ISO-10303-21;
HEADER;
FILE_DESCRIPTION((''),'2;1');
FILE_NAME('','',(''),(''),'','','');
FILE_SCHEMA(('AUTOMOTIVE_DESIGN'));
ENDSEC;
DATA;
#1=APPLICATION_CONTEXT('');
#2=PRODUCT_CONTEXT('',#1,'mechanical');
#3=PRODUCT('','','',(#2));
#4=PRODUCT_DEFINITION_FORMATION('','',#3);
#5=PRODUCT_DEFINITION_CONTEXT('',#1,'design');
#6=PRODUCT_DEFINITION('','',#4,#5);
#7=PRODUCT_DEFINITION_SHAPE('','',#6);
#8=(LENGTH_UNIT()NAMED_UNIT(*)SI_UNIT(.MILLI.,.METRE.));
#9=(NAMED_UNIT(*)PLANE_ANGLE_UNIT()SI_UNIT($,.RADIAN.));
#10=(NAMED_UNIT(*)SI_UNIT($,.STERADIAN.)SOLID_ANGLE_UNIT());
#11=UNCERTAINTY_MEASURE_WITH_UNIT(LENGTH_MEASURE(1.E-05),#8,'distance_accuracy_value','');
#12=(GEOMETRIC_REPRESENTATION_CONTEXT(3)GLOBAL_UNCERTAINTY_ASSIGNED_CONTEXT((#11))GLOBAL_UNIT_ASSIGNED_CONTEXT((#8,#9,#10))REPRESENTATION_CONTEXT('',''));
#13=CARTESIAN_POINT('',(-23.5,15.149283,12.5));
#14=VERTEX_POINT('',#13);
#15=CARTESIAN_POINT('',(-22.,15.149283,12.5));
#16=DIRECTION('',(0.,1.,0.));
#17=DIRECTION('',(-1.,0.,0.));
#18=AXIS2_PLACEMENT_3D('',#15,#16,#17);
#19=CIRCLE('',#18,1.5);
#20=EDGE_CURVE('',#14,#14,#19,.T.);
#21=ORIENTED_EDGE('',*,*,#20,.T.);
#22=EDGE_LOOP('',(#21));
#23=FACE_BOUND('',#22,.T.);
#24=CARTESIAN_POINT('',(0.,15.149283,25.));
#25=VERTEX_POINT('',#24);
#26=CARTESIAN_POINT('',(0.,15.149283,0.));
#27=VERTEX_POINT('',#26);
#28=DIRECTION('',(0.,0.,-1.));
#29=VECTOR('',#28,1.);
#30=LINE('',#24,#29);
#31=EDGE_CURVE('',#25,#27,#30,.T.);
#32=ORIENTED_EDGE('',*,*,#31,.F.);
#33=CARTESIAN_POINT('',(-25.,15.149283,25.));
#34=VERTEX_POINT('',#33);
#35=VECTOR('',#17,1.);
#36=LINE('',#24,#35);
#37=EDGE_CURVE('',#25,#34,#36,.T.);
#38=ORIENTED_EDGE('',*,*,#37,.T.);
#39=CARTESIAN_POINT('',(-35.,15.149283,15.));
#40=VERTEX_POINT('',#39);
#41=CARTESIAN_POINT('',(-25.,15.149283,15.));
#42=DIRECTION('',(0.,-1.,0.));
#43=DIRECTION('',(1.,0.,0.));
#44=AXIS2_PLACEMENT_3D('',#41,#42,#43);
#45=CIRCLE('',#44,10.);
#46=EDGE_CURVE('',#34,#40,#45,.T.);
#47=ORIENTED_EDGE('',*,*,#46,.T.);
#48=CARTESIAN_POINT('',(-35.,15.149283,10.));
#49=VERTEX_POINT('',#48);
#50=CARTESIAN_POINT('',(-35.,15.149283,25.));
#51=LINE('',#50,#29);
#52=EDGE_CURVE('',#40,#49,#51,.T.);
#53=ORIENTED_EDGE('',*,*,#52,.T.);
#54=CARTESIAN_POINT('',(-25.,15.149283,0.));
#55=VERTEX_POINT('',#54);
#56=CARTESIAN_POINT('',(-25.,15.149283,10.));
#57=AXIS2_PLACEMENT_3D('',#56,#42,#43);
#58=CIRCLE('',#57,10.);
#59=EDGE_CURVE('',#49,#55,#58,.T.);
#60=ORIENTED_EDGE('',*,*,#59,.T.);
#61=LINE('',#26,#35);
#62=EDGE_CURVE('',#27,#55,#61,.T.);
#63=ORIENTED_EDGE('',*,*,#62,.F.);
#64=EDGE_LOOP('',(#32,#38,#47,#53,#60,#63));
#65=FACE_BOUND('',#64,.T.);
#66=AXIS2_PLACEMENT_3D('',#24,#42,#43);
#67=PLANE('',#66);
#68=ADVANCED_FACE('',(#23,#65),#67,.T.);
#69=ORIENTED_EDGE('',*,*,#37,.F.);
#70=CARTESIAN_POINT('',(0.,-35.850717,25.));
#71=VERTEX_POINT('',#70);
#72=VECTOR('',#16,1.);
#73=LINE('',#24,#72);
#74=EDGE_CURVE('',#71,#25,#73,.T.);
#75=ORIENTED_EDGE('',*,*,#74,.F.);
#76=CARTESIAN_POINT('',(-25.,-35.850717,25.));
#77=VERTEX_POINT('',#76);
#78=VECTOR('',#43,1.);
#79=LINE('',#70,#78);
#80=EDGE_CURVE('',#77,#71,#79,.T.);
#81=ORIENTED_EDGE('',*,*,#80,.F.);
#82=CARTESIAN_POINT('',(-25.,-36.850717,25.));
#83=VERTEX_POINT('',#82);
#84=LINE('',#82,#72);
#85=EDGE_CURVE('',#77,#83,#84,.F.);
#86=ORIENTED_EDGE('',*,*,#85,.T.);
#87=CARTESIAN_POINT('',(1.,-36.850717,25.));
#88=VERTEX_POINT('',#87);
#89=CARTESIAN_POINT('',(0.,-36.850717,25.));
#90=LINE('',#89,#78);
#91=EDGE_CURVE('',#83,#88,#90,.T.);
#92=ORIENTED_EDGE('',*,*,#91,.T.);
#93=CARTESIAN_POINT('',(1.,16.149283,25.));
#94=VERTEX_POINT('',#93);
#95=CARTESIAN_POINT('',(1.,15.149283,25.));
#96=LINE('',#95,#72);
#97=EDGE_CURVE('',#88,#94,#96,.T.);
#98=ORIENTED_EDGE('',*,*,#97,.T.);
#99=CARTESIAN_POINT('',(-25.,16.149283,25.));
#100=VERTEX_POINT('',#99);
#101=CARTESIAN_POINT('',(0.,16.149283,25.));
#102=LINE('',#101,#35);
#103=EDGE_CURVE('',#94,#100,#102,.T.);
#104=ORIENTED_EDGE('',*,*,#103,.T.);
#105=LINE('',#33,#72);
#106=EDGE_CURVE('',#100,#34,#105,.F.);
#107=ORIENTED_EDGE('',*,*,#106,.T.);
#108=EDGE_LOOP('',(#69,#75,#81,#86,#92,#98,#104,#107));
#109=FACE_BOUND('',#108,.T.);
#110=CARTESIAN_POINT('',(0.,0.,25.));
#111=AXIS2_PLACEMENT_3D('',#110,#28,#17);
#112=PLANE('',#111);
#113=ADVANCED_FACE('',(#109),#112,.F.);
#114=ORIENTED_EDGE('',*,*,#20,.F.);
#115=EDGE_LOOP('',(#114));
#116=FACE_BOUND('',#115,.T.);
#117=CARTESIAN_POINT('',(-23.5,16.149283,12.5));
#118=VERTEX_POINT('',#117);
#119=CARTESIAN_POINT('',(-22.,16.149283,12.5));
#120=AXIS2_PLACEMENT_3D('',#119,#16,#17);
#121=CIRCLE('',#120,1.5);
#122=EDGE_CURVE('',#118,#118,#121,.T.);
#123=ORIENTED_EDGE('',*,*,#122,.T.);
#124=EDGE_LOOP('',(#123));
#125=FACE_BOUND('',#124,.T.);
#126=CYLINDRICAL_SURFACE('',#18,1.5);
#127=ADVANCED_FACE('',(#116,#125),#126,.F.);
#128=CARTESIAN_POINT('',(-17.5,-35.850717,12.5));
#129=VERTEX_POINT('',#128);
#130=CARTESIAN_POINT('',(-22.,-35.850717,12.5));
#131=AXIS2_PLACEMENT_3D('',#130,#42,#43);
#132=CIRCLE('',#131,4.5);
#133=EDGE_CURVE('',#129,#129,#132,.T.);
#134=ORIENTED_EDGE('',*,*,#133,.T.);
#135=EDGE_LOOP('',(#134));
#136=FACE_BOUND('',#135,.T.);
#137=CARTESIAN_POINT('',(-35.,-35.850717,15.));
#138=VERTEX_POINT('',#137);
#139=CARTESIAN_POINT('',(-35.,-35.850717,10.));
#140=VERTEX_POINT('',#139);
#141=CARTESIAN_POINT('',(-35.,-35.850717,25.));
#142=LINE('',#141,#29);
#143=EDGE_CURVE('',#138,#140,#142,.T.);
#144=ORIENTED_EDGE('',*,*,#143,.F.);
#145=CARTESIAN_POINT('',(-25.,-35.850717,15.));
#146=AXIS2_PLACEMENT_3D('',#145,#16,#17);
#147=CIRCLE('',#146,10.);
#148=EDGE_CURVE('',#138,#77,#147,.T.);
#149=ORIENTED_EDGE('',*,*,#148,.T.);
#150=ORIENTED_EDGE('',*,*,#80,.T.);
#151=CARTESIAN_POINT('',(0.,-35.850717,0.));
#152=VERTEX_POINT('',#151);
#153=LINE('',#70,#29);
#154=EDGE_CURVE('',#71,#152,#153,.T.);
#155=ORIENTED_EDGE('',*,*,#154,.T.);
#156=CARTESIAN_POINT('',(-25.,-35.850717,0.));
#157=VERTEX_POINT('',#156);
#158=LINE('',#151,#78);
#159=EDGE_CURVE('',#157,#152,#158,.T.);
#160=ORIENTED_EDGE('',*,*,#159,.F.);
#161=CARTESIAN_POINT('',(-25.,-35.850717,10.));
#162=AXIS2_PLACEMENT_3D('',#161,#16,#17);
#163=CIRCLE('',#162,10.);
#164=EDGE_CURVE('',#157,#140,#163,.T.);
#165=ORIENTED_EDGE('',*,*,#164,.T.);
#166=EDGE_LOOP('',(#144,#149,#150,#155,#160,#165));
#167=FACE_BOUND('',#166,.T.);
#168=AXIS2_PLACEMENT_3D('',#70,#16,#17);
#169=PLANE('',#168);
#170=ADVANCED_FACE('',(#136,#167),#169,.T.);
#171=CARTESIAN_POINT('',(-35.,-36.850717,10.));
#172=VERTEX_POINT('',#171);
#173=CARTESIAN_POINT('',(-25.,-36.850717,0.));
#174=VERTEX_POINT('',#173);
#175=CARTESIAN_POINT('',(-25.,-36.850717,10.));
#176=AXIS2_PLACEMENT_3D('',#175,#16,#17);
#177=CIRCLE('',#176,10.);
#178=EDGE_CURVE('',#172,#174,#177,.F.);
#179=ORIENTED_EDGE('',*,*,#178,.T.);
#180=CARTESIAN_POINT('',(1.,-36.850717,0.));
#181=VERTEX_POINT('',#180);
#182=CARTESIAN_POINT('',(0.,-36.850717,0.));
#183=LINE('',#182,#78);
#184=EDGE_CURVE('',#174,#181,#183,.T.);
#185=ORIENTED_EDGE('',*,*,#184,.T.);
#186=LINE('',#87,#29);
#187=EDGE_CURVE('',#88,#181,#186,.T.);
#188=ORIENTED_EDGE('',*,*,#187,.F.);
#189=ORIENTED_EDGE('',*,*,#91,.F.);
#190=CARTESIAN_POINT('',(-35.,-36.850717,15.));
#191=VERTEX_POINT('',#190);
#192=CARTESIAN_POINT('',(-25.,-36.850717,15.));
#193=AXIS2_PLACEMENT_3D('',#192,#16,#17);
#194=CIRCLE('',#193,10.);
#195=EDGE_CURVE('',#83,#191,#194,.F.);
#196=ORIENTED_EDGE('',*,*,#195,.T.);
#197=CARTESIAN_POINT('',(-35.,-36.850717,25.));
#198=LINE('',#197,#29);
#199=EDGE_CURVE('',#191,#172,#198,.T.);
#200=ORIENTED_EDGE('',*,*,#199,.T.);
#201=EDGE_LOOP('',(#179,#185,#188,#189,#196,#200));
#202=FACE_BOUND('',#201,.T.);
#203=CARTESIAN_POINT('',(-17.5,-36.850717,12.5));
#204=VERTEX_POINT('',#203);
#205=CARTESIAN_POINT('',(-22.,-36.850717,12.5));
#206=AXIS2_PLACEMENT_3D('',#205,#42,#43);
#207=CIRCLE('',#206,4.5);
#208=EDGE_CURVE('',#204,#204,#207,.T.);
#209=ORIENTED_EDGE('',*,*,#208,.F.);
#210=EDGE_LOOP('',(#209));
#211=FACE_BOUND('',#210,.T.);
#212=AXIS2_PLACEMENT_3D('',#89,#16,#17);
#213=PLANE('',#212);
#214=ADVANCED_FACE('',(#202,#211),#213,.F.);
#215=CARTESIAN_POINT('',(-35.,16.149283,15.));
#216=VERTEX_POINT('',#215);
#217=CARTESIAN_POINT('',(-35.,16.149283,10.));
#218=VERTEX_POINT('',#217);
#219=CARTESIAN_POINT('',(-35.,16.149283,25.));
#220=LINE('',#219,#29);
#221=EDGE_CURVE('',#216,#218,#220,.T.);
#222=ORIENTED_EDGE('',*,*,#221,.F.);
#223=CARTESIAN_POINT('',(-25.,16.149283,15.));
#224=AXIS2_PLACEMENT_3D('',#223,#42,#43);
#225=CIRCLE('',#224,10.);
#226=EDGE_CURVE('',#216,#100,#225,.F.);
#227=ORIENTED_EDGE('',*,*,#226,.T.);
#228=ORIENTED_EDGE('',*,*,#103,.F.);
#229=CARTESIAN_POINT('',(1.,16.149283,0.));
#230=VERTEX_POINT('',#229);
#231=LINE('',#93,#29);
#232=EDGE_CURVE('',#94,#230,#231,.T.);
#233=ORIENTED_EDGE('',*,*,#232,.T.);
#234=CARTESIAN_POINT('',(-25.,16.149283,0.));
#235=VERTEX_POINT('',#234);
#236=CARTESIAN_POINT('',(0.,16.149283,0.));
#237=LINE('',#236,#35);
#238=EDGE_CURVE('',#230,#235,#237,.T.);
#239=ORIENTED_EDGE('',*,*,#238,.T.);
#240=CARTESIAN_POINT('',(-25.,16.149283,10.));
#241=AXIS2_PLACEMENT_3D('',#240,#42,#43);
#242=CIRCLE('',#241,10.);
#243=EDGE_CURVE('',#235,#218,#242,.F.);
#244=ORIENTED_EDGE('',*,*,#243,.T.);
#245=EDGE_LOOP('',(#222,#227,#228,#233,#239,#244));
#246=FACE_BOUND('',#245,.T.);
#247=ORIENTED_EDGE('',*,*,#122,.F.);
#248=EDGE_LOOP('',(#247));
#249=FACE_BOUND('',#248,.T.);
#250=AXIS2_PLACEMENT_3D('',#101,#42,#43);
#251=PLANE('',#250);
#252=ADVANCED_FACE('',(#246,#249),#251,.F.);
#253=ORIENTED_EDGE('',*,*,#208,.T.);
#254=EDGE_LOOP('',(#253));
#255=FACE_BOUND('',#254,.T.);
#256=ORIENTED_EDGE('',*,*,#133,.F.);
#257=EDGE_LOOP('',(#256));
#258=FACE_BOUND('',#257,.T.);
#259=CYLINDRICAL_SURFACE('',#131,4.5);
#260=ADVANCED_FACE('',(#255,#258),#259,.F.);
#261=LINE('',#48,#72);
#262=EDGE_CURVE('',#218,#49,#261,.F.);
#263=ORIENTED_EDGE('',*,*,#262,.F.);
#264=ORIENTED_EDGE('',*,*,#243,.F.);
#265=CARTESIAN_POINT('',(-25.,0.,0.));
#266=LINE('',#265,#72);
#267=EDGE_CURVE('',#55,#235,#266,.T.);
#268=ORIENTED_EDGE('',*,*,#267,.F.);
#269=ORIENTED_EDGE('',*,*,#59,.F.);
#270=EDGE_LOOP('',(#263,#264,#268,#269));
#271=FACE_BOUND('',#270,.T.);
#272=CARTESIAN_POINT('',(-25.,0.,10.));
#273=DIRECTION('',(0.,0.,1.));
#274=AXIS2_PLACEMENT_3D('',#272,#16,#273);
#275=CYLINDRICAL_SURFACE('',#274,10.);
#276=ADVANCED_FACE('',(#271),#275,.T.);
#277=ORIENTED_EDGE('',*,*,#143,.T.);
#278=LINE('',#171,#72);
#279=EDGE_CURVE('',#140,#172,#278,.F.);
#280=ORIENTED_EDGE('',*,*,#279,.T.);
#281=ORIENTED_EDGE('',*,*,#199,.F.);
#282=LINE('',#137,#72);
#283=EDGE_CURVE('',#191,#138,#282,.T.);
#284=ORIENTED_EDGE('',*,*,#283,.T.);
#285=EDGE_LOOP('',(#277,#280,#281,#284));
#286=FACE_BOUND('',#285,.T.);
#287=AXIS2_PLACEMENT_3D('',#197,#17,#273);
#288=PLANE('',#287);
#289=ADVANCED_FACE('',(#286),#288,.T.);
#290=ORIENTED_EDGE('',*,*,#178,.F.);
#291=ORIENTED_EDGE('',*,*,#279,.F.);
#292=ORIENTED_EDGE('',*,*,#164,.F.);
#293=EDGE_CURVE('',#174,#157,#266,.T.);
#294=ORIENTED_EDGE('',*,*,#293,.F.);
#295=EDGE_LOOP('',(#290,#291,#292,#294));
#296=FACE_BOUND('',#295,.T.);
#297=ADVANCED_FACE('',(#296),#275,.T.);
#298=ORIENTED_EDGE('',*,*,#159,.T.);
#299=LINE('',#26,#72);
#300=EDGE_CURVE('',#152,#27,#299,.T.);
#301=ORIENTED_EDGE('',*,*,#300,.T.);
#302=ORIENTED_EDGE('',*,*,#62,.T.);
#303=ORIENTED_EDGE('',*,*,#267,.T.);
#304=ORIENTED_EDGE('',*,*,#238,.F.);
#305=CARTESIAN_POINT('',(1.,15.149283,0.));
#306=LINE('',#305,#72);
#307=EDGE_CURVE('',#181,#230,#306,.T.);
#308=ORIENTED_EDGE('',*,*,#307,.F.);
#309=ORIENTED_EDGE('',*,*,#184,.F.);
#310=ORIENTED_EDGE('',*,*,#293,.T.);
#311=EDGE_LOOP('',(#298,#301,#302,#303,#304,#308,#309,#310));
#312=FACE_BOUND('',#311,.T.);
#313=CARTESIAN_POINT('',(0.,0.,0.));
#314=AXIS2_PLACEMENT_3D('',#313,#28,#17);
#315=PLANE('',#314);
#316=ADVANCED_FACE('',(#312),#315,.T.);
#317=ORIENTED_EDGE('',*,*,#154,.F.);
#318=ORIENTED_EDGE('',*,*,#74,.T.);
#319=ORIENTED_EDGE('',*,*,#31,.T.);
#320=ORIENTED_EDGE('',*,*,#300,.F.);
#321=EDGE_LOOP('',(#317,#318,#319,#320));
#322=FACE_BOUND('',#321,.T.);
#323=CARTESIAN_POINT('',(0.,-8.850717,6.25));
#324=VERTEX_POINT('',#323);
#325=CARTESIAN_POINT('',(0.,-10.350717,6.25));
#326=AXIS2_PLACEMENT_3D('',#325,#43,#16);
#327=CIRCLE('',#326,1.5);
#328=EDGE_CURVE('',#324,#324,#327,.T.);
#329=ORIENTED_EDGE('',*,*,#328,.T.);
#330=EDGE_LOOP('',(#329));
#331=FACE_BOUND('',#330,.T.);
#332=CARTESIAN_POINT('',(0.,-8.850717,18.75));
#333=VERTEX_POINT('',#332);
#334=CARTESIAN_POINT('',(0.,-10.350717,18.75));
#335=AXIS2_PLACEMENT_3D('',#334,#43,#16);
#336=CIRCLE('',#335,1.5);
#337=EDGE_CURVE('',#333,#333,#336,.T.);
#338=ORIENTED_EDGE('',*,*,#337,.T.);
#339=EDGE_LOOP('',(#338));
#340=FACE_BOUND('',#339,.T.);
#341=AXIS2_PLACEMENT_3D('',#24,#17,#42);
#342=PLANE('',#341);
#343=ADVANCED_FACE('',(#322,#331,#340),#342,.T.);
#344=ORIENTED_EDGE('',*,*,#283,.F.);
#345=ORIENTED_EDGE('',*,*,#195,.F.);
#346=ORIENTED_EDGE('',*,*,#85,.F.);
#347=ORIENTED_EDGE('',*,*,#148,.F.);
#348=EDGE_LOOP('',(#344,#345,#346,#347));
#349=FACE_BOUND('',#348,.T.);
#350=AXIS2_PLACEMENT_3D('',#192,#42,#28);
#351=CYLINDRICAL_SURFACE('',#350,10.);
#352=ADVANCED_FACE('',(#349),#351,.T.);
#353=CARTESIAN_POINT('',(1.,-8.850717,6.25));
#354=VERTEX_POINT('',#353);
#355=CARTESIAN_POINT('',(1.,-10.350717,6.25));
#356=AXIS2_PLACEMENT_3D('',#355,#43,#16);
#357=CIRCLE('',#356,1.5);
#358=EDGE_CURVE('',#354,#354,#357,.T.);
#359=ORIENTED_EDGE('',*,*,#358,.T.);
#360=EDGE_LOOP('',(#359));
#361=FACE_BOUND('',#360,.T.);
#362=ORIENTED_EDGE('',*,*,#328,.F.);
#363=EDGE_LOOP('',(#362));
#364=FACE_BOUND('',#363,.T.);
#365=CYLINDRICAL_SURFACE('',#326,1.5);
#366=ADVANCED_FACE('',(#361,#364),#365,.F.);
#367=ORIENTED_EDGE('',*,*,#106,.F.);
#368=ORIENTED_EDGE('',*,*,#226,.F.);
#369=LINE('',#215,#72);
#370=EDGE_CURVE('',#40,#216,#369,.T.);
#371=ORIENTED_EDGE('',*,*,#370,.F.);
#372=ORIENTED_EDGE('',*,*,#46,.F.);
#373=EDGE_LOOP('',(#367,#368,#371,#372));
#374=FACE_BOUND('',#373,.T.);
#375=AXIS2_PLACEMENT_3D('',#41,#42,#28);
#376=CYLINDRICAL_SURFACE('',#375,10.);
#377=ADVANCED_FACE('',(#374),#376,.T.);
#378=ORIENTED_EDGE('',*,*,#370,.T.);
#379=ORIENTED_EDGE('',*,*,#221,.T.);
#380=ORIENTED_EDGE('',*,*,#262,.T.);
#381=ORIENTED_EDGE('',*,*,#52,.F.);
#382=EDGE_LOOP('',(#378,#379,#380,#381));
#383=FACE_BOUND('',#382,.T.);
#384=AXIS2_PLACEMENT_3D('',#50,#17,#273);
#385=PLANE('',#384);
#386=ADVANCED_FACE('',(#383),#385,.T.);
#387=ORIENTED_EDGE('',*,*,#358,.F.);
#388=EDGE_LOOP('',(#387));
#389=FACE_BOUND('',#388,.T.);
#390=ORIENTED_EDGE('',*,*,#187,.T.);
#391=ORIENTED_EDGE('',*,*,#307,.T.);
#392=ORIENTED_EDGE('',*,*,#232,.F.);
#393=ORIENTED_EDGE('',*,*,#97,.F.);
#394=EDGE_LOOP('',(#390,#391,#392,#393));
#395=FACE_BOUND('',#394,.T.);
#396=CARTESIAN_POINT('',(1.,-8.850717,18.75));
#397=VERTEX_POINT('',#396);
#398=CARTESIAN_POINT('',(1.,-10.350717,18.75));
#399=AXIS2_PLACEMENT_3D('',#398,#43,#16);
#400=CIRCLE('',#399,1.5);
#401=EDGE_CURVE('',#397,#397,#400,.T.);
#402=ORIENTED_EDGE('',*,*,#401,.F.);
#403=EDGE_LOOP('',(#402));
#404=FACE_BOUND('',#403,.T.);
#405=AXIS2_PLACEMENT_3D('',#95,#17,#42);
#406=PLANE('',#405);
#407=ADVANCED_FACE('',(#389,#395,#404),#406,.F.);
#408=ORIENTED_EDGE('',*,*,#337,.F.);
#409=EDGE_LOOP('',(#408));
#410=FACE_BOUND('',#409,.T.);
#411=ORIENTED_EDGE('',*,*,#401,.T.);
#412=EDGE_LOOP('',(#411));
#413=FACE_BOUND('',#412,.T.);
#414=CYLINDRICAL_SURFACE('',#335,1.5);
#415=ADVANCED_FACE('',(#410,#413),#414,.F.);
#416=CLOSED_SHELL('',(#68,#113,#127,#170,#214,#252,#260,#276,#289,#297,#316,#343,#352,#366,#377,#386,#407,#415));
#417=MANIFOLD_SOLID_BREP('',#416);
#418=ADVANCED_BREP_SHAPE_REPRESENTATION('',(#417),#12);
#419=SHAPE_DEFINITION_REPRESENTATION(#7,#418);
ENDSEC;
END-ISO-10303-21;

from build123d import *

# Parameters (mm, degrees)
EXTRUIR_L_MINA1_DEPTH = 25
CROQUIS2_R            = 1.5
CORTAR_EXTRUIR1_DEPTH = 1
CROQUIS5_R            = 4.5
CORTAR_EXTRUIR2_DEPTH = 1
CROQUIS6_R            = 1.5
CORTAR_EXTRUIR3_DEPTH = 1
REDONDEO1_R           = 10


with BuildPart() as part:
    # Croquis1 → Extruir-Lámina1 (new body)
    with BuildSketch(Plane.XY):
        Polygon((-35, 15.149283258), (0, 15.149283258), (0, -35.850716742), (-35, -35.850716742), (-35, -36.850716742), (1, -36.850716742), (1, 16.149283258), (-35, 16.149283258), align=None)
    extrude(amount=EXTRUIR_L_MINA1_DEPTH)

    # Croquis2 → Cortar-Extruir1 (cut)
    with BuildSketch(Plane(origin=(0, 16.149283258, 0), x_dir=(1, 0, 0), z_dir=(0, 1, 0))):
        with Locations(Location((-22, -12.5, 0), (0, 0, 180))):
            Circle(CROQUIS2_R)
    extrude(amount=-CORTAR_EXTRUIR1_DEPTH, mode=Mode.SUBTRACT)

    # Croquis5 → Cortar-Extruir2 (cut)
    with BuildSketch(Plane.XZ.offset(36.850716742)):
        with Locations((-22, 12.5)):
            Circle(CROQUIS5_R)
    extrude(amount=-CORTAR_EXTRUIR2_DEPTH, mode=Mode.SUBTRACT)

    # Croquis6 → Cortar-Extruir3 (cut)
    with BuildSketch(Plane(origin=(1, 0, 0), x_dir=(0, 0, -1), z_dir=(1, 0, 0))):
        with Locations(Location((-6.25, -10.350716742, 0), (0, 0, 90))):
            Circle(CROQUIS6_R)
        with Locations(Location((-18.75, -10.350716742, 0), (0, 0, 90))):
            Circle(CROQUIS6_R)
    extrude(amount=-CORTAR_EXTRUIR3_DEPTH, mode=Mode.SUBTRACT)

    # Redondeo1
    redondeo1_edges = [part.edges().sort_by_distance(p)[0] for p in [
        (-35, -36.350716742, 25),
        (-35, 15.649283258, 25),
        (-35, -36.350716742, 0),
        (-35, 15.649283258, 0),
    ]]
    fillet(redondeo1_edges, radius=REDONDEO1_R)


solid = part.part
